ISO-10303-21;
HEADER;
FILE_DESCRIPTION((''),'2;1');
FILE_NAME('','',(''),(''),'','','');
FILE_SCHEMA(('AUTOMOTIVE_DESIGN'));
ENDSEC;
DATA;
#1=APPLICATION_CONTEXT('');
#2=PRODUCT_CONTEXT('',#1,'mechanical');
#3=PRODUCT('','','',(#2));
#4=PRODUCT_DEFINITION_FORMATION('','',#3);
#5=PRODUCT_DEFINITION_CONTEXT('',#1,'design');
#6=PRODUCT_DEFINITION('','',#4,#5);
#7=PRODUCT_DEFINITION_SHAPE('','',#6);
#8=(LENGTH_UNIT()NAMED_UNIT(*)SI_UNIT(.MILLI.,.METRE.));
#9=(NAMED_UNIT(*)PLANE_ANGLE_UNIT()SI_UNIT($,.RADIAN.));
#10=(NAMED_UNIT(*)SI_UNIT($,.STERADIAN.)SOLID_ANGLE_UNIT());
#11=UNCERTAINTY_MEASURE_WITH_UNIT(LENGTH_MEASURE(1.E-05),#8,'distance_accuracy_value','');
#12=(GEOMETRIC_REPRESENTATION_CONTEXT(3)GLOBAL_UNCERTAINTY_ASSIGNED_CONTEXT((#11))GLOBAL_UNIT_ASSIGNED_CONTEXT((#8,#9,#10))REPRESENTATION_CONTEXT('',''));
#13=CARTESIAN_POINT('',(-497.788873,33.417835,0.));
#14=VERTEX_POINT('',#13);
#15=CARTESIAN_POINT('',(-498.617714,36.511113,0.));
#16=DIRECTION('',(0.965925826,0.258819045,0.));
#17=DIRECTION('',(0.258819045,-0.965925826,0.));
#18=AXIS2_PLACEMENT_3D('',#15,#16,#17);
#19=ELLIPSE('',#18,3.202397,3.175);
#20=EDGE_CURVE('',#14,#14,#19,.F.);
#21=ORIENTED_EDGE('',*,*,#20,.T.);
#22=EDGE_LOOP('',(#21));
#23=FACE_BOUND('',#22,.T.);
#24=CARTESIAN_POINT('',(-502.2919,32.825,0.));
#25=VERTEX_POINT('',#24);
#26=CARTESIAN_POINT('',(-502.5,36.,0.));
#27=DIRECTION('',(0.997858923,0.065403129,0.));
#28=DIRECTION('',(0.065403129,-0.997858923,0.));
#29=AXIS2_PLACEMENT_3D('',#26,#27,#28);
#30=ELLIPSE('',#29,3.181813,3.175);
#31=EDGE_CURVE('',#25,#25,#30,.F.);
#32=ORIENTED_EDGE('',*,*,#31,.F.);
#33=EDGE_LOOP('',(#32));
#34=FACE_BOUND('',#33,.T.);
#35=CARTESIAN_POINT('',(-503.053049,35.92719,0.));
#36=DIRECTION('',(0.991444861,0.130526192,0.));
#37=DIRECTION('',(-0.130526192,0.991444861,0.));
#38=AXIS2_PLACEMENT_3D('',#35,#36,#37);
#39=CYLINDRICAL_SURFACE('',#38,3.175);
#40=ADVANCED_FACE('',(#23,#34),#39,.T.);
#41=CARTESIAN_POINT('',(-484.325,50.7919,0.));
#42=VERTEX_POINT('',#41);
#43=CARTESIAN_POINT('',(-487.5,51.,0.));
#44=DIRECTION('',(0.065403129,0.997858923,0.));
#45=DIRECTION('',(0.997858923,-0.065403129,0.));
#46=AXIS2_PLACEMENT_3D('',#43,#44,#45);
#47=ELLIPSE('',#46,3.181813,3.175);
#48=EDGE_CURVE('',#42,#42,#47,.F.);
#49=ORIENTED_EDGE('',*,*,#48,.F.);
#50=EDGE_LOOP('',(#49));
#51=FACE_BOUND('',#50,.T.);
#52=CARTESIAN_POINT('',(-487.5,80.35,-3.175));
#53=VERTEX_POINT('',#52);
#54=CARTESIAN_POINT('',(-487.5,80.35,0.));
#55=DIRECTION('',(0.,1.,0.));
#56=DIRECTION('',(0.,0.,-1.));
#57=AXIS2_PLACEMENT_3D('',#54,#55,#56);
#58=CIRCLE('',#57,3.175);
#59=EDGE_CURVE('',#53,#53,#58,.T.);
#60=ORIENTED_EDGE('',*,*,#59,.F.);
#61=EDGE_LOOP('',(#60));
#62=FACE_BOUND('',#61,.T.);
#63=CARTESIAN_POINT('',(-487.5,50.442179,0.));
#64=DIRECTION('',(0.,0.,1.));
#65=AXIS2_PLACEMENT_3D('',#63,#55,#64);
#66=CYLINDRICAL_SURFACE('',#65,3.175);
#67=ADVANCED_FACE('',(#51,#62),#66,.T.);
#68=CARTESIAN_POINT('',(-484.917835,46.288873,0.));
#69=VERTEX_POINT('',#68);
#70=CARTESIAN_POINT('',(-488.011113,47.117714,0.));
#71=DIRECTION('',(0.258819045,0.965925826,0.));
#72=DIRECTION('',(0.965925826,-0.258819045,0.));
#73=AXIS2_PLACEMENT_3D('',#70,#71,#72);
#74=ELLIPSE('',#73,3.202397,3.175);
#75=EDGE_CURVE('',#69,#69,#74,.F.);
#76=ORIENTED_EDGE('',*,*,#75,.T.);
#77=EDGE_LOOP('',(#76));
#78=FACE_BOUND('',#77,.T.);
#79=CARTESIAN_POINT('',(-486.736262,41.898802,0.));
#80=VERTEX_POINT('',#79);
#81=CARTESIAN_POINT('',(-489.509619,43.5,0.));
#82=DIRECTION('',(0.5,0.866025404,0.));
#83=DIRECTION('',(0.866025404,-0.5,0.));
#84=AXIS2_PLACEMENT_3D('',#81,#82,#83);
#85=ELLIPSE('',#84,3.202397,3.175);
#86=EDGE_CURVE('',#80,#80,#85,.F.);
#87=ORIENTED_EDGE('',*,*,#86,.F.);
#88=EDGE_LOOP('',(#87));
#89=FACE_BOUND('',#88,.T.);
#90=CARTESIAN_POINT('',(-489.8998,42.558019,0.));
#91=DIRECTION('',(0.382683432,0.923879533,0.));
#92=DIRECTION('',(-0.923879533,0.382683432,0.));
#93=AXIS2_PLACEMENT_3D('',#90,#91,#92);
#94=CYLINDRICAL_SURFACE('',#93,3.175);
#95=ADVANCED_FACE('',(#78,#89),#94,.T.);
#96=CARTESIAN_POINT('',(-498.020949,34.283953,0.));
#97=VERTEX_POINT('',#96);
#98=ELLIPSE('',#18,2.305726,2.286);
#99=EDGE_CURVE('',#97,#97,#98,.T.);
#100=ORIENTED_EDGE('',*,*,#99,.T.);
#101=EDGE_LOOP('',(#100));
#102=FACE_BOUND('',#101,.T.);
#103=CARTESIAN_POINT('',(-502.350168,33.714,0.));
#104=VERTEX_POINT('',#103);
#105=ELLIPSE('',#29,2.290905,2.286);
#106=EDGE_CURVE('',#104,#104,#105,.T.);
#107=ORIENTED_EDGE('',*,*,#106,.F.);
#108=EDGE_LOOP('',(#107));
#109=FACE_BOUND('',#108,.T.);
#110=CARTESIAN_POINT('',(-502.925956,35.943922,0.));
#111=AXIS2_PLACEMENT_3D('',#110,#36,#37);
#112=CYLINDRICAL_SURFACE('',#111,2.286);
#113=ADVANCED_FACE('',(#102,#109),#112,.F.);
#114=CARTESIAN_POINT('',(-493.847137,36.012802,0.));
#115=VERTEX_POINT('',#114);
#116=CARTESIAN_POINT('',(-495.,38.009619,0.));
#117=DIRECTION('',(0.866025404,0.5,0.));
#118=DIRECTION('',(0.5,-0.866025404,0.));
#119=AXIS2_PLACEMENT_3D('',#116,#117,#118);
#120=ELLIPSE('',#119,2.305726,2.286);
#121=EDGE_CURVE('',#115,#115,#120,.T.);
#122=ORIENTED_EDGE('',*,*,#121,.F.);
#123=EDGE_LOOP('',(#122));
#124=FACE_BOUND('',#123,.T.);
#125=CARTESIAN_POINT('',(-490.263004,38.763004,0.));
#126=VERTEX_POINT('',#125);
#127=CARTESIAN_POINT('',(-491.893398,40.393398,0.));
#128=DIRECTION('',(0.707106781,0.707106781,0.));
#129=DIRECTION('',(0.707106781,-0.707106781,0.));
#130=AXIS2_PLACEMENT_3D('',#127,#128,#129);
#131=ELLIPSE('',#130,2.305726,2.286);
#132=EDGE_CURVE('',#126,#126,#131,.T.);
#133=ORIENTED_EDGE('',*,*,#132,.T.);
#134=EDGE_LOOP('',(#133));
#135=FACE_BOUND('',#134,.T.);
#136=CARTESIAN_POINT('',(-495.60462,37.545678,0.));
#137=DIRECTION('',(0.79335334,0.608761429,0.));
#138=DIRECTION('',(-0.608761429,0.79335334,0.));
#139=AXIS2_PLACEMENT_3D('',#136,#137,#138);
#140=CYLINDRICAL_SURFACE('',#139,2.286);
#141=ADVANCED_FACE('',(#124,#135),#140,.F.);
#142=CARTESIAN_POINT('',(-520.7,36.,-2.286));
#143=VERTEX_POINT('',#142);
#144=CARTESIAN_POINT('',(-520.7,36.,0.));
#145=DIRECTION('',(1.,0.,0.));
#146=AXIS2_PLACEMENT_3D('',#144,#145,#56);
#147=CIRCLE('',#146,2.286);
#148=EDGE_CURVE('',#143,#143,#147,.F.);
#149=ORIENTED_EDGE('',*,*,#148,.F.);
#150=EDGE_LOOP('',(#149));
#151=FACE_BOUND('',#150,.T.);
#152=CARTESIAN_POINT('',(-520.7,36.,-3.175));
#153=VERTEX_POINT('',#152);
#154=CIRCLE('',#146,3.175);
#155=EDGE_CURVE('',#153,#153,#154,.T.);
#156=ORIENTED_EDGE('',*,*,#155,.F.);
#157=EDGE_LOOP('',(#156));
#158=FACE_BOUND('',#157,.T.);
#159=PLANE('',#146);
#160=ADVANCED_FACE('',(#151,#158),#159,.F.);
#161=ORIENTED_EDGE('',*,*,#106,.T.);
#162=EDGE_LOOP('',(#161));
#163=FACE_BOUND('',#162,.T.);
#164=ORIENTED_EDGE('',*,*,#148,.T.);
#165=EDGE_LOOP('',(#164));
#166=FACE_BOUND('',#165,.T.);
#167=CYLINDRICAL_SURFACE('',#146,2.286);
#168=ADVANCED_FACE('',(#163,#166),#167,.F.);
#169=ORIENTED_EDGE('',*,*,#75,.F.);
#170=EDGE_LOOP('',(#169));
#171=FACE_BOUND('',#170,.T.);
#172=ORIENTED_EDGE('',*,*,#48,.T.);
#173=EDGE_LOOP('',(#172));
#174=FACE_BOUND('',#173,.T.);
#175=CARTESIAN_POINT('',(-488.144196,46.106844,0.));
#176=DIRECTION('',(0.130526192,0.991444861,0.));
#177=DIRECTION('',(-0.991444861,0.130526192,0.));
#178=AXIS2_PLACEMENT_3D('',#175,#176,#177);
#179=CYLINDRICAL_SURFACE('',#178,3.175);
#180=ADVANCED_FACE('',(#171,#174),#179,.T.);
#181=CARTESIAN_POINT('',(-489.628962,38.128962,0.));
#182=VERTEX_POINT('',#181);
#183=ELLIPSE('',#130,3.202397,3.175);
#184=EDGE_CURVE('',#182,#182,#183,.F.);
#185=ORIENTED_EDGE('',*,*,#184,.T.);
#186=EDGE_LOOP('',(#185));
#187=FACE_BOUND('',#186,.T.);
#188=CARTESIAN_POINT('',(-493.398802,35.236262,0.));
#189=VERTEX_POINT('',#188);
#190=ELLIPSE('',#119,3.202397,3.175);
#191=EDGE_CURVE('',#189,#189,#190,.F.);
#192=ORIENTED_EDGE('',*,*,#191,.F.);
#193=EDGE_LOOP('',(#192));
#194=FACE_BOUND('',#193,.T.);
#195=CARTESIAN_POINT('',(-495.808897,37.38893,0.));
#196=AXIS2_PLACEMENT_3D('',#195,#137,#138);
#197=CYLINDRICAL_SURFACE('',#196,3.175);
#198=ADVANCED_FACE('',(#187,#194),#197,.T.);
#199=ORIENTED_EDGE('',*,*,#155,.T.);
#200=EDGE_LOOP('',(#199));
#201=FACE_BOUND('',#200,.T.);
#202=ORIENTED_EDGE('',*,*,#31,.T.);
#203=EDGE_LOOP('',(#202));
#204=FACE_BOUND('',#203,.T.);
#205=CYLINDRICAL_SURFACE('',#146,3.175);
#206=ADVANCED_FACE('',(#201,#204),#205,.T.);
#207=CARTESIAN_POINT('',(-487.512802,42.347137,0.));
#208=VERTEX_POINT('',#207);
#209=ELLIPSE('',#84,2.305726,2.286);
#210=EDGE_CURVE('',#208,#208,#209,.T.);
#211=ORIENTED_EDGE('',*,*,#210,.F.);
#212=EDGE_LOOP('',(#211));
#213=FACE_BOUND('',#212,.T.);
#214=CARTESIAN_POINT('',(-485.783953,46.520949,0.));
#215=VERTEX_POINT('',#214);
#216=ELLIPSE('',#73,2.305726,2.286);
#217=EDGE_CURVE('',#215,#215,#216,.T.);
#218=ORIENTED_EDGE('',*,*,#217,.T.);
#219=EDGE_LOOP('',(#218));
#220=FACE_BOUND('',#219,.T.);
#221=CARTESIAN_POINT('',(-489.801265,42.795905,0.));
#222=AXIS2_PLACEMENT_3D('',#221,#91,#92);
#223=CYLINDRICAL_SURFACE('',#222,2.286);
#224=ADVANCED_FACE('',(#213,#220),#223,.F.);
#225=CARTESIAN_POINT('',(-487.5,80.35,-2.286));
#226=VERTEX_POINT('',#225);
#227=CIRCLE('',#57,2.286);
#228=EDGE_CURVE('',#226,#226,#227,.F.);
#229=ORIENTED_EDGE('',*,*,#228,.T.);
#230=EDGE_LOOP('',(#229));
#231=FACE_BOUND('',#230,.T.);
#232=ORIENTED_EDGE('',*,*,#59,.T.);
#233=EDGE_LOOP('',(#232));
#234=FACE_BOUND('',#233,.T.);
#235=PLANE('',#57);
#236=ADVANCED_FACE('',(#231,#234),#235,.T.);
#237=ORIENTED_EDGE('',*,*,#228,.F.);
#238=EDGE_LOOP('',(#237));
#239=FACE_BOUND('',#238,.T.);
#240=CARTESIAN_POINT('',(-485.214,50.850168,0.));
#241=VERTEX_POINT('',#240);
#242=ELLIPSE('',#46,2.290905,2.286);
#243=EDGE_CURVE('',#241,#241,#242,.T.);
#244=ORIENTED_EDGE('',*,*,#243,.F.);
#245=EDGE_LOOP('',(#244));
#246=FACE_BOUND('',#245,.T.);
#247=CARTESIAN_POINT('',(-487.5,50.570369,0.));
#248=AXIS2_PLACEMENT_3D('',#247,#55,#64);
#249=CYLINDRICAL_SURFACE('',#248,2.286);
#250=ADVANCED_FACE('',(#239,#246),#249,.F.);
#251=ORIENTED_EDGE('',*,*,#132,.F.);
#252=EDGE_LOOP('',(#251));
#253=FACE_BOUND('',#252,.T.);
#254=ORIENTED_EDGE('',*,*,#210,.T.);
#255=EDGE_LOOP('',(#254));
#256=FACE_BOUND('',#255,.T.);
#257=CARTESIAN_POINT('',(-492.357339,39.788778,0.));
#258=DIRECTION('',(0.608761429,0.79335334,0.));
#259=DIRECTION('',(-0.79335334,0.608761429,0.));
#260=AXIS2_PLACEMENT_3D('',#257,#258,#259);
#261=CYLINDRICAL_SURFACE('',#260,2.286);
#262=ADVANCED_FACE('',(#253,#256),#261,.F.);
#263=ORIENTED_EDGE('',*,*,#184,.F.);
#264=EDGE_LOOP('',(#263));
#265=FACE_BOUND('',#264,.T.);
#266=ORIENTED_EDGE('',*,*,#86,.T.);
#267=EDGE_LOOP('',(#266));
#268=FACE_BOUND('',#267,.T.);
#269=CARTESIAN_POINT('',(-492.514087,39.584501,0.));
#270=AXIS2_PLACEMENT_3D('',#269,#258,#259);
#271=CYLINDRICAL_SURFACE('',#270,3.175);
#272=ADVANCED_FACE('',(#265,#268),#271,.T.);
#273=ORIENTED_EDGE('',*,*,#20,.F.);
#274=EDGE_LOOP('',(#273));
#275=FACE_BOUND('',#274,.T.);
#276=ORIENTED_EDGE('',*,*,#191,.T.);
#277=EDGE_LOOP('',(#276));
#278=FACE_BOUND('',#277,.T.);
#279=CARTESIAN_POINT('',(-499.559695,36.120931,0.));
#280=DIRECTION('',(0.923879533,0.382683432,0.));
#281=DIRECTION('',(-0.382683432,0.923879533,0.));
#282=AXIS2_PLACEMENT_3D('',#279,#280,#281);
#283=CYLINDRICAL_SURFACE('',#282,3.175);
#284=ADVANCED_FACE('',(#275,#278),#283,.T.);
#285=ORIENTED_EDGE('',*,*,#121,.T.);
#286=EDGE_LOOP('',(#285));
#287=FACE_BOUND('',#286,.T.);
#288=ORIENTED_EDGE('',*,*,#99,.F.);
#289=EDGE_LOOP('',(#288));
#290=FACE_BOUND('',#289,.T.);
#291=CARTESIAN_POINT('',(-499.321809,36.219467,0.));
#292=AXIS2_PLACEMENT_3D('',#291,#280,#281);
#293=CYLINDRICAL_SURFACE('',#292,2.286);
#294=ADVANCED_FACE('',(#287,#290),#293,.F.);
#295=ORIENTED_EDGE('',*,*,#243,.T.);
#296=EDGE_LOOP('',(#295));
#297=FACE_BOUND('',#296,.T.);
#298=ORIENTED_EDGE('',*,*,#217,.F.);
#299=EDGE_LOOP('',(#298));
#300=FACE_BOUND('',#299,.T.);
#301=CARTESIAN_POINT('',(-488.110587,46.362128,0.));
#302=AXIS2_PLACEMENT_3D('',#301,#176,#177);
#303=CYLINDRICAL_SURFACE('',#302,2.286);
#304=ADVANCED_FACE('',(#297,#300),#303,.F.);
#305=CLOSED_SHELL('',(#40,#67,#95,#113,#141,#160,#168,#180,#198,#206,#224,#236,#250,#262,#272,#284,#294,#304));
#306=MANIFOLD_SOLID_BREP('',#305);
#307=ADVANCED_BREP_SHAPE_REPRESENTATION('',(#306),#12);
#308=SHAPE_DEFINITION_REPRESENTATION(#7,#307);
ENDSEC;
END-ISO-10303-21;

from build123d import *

# Parameters (mm, degrees)
PROFILE_R   = 3.175
PROFILE_R_2 = 2.286


with BuildPart() as part:
    # Tube: sweep along a curve in space
    with BuildLine() as tube_path:
        Line((-520.7, 36, 0), (-502.5, 36, 0))
        Line((-502.5, 36, 0), (-498.617714323, 36.511112606, 0))
        Line((-498.617714323, 36.511112606, 0), (-495, 38.009618943, 0))
        Line((-495, 38.009618943, 0), (-491.893398282, 40.393398282, 0))
        Line((-491.893398282, 40.393398282, 0), (-489.509618943, 43.5, 0))
        Line((-489.509618943, 43.5, 0), (-488.011112606, 47.117714323, 0))
        Line((-488.011112606, 47.117714323, 0), (-487.5, 51, 0))
        Line((-487.5, 51, 0), (-487.5, 80.35, 0))
    # Profile → Tube (sweep)
    with BuildSketch(Plane(origin=(-520.7, 0, 0), x_dir=(0, 0, -1), z_dir=(1, 0, 0))):
        with Locations((0, 36)):
            Circle(PROFILE_R)
        with Locations((0, 36)):
            Circle(PROFILE_R_2, mode=Mode.SUBTRACT)
    sweep(path=tube_path.line, transition=Transition.RIGHT)


solid = part.part
